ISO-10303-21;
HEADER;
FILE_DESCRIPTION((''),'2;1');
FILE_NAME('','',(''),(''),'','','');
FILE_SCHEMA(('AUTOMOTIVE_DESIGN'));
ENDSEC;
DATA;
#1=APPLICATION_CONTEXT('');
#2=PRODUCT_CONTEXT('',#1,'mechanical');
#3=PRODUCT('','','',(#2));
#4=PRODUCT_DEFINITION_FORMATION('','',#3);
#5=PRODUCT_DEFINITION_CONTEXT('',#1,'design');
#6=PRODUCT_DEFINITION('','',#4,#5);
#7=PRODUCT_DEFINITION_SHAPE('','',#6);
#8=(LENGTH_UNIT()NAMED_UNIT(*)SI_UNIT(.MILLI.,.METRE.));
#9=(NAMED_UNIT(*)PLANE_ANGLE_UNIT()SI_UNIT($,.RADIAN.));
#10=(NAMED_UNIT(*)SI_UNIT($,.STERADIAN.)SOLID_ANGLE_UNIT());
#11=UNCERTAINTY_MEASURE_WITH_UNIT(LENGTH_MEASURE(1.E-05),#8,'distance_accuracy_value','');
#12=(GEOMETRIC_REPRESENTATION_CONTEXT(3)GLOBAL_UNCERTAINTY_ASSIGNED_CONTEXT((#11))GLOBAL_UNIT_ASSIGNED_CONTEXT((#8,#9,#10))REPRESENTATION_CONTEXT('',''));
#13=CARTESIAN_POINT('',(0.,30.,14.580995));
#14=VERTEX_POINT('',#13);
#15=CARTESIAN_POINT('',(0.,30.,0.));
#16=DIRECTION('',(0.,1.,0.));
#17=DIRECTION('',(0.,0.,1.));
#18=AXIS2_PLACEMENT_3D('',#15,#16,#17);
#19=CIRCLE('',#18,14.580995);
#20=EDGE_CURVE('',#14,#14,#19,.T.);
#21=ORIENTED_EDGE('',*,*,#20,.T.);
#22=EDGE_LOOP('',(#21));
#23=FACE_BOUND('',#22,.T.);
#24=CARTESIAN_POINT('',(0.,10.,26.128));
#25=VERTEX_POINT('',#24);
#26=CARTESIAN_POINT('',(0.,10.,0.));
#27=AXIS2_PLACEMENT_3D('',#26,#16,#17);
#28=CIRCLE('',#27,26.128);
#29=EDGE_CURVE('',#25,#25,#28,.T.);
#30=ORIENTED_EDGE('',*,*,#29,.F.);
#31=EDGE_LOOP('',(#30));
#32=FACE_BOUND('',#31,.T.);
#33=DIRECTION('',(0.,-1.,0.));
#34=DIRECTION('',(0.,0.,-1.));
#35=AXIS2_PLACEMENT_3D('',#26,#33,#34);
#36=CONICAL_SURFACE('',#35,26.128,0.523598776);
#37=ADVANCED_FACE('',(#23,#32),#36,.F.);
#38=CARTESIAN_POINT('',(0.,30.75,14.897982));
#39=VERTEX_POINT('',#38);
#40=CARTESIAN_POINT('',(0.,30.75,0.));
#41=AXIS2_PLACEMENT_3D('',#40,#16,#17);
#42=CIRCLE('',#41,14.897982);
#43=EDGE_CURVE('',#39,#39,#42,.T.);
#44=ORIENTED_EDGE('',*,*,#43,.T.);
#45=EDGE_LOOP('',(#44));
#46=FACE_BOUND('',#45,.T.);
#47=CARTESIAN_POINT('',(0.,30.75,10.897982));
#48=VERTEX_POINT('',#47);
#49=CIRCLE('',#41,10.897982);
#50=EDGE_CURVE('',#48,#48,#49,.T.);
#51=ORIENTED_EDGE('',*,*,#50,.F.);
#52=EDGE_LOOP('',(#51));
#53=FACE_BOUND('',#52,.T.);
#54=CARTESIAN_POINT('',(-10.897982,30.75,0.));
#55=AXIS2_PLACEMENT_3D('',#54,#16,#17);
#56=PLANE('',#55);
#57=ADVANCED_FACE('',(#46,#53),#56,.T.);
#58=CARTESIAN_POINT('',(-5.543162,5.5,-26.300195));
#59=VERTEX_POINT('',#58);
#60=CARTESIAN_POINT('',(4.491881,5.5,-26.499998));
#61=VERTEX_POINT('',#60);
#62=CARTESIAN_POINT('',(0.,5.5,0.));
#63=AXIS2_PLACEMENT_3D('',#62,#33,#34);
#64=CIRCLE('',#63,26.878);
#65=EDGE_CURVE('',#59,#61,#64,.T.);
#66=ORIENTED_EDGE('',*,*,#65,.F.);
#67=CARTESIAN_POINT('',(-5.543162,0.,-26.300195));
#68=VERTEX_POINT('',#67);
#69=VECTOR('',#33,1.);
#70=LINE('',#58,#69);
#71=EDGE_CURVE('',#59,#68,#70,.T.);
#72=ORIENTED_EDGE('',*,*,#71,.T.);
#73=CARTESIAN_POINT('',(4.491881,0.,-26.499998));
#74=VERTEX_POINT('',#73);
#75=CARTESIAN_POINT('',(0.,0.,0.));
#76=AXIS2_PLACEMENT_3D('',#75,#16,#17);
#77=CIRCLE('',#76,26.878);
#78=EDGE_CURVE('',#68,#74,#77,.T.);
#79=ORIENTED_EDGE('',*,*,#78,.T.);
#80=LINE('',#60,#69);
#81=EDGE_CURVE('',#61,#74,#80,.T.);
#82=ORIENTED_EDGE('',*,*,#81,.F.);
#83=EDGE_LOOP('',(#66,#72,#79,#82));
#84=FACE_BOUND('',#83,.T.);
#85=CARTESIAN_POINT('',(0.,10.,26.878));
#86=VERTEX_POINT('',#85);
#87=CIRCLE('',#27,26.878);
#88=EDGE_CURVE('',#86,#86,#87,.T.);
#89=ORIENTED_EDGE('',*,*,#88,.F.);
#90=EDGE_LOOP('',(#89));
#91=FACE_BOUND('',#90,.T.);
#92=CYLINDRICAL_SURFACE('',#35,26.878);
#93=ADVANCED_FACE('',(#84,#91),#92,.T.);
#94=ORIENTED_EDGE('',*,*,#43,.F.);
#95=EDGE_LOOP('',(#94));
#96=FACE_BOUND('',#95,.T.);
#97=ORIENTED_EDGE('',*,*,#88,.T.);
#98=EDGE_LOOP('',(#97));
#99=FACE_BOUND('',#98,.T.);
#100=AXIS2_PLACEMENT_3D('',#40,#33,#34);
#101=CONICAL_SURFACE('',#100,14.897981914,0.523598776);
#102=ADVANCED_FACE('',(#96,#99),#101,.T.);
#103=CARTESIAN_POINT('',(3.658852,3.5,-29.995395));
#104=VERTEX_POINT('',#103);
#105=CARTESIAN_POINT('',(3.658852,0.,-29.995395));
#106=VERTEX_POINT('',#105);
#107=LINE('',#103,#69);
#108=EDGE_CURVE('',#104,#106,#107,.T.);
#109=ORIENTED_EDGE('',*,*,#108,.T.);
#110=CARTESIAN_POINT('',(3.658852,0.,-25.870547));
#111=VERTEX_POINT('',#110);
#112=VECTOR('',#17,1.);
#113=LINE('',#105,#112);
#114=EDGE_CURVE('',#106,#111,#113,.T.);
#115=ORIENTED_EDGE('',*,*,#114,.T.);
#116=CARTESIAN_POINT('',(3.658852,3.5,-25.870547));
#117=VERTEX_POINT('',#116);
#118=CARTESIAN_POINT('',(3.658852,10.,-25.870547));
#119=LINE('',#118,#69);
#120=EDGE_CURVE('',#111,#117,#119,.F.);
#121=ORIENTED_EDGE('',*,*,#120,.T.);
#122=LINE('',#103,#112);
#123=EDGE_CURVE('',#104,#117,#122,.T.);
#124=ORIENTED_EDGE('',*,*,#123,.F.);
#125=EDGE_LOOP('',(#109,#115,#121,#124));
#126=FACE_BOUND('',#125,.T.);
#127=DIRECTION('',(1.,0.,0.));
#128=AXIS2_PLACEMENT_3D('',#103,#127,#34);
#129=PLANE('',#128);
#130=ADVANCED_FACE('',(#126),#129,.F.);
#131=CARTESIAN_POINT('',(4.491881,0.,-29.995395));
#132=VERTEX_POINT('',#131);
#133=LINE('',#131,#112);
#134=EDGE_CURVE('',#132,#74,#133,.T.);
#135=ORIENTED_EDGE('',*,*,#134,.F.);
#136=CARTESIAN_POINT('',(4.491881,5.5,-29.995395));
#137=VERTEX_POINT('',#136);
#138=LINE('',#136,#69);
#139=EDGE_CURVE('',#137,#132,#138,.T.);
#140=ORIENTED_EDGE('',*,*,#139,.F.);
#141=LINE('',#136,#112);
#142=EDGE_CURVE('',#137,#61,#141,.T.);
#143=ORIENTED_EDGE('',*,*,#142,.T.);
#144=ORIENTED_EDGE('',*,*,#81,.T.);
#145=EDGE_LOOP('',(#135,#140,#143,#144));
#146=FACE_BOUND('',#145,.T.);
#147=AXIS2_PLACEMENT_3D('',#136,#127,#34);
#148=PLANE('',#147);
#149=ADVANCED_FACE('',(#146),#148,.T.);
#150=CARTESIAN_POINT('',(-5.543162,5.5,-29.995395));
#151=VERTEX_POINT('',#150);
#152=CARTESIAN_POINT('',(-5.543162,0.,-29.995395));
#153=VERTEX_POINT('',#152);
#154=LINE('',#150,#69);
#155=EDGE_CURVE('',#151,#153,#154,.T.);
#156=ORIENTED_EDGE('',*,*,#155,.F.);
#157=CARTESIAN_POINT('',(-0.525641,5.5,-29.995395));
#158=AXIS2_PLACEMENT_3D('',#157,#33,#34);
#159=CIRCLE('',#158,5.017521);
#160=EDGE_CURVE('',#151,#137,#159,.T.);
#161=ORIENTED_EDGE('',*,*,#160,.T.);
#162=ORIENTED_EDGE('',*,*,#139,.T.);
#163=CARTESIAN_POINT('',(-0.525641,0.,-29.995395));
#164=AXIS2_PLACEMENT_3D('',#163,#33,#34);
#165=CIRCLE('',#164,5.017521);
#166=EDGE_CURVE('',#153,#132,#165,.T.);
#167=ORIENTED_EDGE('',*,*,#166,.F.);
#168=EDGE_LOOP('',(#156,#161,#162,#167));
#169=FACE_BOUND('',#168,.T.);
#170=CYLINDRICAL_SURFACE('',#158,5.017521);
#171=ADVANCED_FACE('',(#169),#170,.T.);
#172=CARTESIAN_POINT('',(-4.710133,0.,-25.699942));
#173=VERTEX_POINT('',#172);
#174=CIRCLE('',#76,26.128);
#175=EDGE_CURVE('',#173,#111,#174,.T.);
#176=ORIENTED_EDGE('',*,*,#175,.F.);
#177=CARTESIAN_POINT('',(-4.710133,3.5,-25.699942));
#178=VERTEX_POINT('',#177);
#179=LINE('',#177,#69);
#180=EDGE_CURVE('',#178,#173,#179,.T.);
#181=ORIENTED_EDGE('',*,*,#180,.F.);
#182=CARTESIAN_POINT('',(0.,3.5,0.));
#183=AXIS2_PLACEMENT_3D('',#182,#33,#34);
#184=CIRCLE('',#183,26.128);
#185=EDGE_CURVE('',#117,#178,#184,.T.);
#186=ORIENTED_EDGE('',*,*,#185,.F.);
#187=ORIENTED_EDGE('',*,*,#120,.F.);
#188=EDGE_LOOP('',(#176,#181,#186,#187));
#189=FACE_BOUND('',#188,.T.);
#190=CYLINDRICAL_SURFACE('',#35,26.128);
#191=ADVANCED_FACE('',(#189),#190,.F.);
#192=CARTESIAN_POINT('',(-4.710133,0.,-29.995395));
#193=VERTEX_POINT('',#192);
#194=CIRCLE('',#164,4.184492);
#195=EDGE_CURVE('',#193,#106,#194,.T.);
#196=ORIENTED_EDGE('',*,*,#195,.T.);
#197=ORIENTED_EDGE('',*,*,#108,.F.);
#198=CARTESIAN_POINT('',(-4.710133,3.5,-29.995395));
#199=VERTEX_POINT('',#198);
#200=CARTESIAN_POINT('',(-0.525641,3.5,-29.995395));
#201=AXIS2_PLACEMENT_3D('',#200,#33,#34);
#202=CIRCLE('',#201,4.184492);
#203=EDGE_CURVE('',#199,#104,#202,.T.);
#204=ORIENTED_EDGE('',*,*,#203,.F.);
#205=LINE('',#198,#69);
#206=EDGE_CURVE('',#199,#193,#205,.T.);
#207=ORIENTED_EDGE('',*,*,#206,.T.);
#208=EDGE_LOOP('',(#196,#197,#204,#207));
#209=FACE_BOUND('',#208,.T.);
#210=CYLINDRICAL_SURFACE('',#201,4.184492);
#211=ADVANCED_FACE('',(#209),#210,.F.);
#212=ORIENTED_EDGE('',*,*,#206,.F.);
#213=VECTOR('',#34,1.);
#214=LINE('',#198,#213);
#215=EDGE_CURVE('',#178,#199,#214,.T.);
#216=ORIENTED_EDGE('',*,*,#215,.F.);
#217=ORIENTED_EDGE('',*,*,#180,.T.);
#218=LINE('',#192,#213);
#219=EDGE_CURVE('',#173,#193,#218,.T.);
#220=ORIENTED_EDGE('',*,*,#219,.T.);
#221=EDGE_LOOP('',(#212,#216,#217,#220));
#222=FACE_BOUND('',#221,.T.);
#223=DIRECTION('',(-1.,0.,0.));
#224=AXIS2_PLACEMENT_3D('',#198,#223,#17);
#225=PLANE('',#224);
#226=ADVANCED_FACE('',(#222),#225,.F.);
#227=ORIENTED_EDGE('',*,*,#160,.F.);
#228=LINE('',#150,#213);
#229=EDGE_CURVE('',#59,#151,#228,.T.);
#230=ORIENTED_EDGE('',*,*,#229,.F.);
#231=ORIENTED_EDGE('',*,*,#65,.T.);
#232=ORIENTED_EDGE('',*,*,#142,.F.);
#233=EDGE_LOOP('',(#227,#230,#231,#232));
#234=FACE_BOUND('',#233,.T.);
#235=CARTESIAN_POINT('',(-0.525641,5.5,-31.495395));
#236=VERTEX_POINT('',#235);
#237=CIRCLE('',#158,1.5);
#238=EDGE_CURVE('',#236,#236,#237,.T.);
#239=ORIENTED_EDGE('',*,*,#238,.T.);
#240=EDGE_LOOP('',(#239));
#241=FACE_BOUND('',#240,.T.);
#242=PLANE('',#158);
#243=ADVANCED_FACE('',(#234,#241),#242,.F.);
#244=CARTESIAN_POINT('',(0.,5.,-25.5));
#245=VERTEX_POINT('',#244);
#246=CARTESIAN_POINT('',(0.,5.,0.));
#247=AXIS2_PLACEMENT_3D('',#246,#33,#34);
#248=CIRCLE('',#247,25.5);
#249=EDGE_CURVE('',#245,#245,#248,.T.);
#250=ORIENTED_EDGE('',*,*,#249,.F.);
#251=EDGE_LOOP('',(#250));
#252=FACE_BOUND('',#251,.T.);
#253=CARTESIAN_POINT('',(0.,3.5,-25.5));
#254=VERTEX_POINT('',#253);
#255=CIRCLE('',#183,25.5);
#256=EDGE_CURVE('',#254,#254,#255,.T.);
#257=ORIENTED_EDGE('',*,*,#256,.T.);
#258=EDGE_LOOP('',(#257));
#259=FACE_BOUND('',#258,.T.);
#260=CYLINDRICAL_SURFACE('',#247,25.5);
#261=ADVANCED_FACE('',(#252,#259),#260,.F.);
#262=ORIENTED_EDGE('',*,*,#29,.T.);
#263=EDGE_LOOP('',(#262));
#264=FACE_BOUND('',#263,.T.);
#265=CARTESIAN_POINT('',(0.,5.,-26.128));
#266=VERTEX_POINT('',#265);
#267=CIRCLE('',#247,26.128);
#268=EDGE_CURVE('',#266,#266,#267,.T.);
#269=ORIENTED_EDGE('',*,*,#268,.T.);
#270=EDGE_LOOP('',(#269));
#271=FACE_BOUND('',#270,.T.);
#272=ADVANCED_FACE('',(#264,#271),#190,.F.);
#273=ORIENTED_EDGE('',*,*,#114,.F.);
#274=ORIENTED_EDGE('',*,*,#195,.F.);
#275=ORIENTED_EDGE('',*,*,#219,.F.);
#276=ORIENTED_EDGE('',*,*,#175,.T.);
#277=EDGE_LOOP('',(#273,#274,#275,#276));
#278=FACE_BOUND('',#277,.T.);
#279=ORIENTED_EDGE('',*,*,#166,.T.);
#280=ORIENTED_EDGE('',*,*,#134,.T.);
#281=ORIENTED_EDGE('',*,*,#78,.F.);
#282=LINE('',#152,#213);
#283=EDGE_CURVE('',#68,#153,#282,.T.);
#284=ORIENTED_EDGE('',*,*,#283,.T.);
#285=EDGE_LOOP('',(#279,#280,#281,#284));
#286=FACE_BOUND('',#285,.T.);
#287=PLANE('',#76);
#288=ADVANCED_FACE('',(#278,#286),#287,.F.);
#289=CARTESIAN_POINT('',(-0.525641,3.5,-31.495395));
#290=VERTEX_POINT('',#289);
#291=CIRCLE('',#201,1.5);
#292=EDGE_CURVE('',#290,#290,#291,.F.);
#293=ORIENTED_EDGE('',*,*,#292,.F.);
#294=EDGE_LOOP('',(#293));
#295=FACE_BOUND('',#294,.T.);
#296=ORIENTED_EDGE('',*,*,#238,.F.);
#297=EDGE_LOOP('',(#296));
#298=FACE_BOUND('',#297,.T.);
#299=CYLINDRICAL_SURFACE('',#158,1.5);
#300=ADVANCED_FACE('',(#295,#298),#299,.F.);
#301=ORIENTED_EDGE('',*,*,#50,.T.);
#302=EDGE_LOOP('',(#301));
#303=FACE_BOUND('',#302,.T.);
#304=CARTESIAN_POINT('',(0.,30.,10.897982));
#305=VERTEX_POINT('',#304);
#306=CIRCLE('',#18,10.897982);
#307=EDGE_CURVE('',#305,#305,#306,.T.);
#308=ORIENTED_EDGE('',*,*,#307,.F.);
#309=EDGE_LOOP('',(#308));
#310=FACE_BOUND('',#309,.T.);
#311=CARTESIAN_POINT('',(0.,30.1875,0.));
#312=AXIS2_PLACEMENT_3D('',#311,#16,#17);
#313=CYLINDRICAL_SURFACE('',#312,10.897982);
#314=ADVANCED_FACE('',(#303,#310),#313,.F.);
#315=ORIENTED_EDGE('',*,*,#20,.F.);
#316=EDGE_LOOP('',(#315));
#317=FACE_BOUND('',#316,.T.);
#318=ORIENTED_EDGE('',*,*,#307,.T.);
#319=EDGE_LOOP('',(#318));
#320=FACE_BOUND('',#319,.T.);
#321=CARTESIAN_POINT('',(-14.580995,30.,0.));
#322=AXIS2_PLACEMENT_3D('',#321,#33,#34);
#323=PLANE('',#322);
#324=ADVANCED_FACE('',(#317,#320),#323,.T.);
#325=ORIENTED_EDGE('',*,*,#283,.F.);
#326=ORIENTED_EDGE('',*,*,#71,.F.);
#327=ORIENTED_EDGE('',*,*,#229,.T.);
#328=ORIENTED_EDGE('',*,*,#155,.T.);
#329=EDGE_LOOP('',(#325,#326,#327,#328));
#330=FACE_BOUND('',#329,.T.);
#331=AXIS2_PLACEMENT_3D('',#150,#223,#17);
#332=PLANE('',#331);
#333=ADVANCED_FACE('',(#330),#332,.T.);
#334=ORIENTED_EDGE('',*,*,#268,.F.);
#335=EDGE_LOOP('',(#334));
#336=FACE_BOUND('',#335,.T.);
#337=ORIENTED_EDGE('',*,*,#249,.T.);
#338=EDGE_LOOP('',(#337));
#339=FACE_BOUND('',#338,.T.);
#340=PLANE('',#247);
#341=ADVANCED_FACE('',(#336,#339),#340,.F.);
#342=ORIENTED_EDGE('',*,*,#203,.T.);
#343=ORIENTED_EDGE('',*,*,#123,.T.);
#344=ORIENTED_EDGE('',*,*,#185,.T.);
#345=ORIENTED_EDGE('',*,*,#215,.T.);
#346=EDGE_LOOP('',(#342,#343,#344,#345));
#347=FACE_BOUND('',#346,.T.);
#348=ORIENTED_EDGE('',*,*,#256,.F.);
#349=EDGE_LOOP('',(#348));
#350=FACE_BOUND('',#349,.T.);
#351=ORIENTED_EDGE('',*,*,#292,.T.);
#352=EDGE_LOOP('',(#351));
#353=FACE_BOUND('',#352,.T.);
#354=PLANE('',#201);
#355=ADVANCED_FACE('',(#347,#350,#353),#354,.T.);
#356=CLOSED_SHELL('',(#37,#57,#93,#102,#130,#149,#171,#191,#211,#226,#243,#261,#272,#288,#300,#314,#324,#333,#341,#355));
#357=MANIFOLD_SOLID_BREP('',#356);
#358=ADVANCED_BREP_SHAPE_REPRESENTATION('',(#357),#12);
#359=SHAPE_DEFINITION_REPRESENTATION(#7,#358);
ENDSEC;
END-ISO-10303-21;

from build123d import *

# Parameters (mm, degrees)
SKETCH3_R           = 26.878
SKETCH3_R_2         = 26.128
BOSS_EXTRUDE1_DEPTH = 10
SKETCH5_R           = 1.5
BOSS_EXTRUDE4_DEPTH = 5.5
CUT_EXTRUDE1_DEPTH  = 3.5
BOSS_EXTRUDE5_START = -3.5
SKETCH8_R           = 26.128
SKETCH8_R_2         = 25.5
BOSS_EXTRUDE5_DEPTH = 1.5


with BuildPart() as part:
    # Sketch3 → Boss-Extrude1 (new body)
    with BuildSketch(Plane(origin=(0, 0, 0), x_dir=(1, 0, 0), z_dir=(0, 1, 0))):
        with Locations(Location((0, 0, 0), (0, 0, 270))):
            Circle(SKETCH3_R)
        with Locations(Location((0, 0, 0), (0, 0, 270))):
            Circle(SKETCH3_R_2, mode=Mode.SUBTRACT)
    extrude(amount=BOSS_EXTRUDE1_DEPTH)

    # Sketch5 → Boss-Extrude4 (add)
    with BuildSketch(Plane.XZ):
        with BuildLine():
            Line((-5.543162198, -29.995394675), (-5.543162198, -26.300194616))
            ThreePointArc((-5.543162198, -26.300194616), (-0.534858171, -26.863033142), (4.491880525, -26.499997988))
            Line((4.491880525, -26.499997988), (4.491880525, -29.995394675))
            ThreePointArc((4.491880525, -29.995394675), (-0.525640836, -35.012916036), (-5.543162198, -29.995394675))
        make_face()
        with Locations(Location((-0.525640836, -29.995394675, 0), (0, 0, 270))):
            Circle(SKETCH5_R, mode=Mode.SUBTRACT)
    extrude(amount=-BOSS_EXTRUDE4_DEPTH)

    # Sketch6 → Cut-Extrude1 (cut)
    with BuildSketch(Plane(origin=(0, 0, 0), x_dir=(-1, 0, 0), z_dir=(0, -1, 0))):
        with BuildLine():
            Line((4.710133197, 29.995394675), (4.710133197, 25.699942204))
            ThreePointArc((4.710133197, 25.699942204), (0.530383369, 26.096098926), (-3.658851524, 25.81760336))
            Line((-3.658851524, 25.81760336), (-3.658851524, 29.995394675))
            ThreePointArc((-3.658851524, 29.995394675), (0.525640836, 34.179887036), (4.710133197, 29.995394675))
        make_face()
    extrude(amount=-CUT_EXTRUDE1_DEPTH, mode=Mode.SUBTRACT)

    # Sketch7 → Revolve1 (revolve)
    with BuildSketch(Plane.XY, mode=Mode.PRIVATE) as revolve1_sk:
        Polygon((-26.878, 10), (-14.897981914, 30.75), (-10.897981914, 30.75), (-10.897981914, 30), (-14.580994616, 30), (-26.128, 10), align=None)
    revolve(revolve1_sk.sketch.rotate(Axis((0, 30.1875, 0), (0, -1, 0)), 270), axis=Axis((0, 30.1875, 0), (0, -1, 0)))

    # Sketch8 → Boss-Extrude5 (add)
    with BuildSketch(Plane.XZ.offset(BOSS_EXTRUDE5_START)):
        with Locations(Location((0, 0, 0), (0, 0, 270))):
            Circle(SKETCH8_R)
        with Locations(Location((0, 0, 0), (0, 0, 270))):
            Circle(SKETCH8_R_2, mode=Mode.SUBTRACT)
    extrude(amount=-BOSS_EXTRUDE5_DEPTH)


solid = part.part
